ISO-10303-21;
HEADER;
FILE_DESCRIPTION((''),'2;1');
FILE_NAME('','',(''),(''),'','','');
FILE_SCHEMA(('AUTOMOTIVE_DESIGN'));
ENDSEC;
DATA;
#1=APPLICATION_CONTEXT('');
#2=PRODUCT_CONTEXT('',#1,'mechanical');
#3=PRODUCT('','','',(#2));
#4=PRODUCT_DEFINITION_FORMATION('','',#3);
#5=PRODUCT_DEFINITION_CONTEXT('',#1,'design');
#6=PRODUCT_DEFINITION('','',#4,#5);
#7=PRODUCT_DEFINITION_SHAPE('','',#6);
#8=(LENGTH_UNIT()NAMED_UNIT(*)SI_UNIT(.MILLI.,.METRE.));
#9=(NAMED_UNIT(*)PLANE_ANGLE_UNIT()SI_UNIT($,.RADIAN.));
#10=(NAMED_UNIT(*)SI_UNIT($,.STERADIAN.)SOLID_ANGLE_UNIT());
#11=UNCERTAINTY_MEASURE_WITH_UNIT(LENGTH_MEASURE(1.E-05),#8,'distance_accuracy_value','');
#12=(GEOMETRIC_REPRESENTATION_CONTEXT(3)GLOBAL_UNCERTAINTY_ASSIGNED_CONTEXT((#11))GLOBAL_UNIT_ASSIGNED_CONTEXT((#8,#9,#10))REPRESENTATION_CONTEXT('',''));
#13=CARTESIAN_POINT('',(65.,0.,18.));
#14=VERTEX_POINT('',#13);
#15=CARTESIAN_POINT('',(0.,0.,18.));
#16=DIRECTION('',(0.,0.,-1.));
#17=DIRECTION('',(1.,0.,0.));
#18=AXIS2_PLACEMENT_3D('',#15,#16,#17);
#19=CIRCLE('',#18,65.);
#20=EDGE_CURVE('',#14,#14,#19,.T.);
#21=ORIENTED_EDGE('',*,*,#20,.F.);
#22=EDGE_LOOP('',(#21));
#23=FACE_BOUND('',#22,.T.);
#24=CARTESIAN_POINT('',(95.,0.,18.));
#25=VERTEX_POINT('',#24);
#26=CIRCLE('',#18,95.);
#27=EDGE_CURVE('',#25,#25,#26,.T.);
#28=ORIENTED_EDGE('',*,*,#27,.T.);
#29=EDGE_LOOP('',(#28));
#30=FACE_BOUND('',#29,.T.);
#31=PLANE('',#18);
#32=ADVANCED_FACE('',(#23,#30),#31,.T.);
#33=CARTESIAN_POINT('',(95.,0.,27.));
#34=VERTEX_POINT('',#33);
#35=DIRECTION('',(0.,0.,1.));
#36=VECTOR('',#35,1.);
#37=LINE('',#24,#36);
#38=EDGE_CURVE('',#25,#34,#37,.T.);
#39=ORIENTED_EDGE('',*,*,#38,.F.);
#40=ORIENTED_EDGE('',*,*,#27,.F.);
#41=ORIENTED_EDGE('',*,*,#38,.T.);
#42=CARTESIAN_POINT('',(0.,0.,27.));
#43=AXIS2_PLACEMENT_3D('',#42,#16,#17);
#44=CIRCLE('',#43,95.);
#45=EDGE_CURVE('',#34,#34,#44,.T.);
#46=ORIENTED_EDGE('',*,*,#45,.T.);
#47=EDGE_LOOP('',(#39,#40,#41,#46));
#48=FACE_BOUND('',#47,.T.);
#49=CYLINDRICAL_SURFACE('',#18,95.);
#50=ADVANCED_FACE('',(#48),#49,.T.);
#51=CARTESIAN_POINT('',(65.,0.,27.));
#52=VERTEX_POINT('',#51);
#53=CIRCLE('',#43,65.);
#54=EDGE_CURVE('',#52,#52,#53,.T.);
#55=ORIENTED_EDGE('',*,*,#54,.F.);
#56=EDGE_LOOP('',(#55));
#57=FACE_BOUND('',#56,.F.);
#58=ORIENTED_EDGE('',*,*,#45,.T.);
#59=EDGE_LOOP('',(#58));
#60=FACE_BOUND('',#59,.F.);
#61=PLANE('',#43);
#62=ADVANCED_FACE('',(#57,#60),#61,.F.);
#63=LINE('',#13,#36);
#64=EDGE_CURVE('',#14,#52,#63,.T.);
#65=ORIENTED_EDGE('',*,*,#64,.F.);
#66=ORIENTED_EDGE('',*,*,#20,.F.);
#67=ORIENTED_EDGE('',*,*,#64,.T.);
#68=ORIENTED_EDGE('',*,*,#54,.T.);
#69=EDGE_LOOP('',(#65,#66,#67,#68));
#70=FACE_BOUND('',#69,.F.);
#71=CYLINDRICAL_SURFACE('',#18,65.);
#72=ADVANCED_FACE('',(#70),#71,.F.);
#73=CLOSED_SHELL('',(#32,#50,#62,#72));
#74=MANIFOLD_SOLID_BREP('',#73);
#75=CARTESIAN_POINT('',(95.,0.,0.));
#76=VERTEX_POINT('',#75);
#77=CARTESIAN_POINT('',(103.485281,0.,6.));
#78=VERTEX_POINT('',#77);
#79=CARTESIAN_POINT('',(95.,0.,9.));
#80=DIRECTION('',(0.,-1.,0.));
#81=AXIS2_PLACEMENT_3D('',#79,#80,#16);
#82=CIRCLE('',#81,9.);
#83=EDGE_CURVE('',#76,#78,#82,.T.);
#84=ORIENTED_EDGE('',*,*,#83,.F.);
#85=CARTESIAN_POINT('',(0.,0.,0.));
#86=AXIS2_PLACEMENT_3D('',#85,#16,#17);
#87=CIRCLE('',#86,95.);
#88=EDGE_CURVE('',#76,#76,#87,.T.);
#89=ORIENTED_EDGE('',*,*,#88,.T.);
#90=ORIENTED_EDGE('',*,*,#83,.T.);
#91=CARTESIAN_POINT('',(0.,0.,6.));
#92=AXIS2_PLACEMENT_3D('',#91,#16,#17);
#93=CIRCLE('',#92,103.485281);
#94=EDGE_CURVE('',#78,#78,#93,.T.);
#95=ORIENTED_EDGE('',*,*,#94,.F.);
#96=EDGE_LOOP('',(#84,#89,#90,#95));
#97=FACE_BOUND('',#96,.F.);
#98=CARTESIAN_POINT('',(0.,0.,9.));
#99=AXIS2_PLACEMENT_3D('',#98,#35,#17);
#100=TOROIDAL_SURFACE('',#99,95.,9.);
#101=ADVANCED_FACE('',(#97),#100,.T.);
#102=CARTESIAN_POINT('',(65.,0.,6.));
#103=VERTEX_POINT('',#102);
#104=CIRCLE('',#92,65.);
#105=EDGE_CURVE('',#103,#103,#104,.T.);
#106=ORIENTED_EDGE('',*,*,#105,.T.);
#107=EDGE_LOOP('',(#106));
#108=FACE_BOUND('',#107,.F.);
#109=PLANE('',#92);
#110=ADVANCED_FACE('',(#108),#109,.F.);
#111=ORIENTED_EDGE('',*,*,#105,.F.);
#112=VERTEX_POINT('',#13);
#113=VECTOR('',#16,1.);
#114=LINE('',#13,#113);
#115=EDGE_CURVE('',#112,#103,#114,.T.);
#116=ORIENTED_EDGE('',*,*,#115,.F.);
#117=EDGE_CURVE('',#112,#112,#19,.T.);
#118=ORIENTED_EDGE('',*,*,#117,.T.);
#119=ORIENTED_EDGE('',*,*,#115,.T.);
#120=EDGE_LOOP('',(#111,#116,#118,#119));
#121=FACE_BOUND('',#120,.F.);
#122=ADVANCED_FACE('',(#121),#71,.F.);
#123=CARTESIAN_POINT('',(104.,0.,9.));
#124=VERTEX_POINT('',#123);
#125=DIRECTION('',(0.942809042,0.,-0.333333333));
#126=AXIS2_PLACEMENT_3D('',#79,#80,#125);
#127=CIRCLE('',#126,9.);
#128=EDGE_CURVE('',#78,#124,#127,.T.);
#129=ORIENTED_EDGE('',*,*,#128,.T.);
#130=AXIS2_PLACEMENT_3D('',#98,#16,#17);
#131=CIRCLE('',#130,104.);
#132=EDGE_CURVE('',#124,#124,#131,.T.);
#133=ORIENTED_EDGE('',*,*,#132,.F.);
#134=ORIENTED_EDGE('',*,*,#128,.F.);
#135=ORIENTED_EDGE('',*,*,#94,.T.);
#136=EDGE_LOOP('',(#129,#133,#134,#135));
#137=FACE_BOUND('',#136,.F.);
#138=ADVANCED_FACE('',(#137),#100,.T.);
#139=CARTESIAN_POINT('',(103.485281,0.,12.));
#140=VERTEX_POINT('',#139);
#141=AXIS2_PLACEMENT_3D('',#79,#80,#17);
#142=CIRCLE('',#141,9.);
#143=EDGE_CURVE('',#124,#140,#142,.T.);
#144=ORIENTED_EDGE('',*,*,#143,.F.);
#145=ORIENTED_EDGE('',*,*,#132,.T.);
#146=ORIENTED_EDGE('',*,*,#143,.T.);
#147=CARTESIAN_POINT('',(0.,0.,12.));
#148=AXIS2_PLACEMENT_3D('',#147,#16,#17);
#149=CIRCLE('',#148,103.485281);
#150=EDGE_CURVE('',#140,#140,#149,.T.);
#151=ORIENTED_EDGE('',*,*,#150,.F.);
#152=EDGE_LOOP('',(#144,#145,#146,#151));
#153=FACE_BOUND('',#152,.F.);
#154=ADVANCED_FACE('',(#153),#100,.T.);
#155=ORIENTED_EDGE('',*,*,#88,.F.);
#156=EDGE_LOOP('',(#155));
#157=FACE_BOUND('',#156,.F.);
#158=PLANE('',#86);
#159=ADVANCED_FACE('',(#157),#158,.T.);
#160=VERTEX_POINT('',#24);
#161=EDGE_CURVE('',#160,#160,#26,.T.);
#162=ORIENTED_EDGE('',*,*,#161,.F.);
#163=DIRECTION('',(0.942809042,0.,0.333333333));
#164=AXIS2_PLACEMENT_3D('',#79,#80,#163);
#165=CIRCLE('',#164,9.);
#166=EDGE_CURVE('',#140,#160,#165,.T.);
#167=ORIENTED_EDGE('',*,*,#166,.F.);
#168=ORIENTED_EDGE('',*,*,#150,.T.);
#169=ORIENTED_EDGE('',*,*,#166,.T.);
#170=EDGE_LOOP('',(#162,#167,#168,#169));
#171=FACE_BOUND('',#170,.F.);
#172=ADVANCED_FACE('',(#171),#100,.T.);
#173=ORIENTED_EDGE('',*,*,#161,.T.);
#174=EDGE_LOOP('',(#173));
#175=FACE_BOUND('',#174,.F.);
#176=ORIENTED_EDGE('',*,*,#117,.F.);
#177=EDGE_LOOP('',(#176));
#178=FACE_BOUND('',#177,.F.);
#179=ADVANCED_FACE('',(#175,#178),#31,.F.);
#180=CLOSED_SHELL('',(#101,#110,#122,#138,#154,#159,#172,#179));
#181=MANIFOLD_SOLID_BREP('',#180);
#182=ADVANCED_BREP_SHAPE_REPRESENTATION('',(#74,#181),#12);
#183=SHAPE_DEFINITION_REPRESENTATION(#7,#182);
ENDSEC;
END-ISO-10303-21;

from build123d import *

# Parameters (mm, degrees)
F2_DEPTH = 9


with BuildPart() as f1:
    # F0 (on Front) → F1 (revolve)
    with BuildSketch(Plane.XZ):
        with BuildLine():
            ThreePointArc((95, 18), (89.8038475773, 16.3484692283), (86.5147186258, 12))
            Line((86.5147186258, 12), (103.4852813742, 12))
            ThreePointArc((103.4852813742, 12), (100.1961524227, 16.3484692283), (95, 18))
        make_face()
        with BuildLine():
            Line((65, 12), (86.5147186258, 12))
            ThreePointArc((86.5147186258, 12), (89.8038475773, 16.3484692283), (95, 18))
            Line((95, 18), (65, 18))
            Line((65, 18), (65, 12))
        make_face()
        with BuildLine():
            Line((65, 6), (86.5147186258, 6))
            ThreePointArc((86.5147186258, 6), (86, 9), (86.5147186258, 12))
            Line((86.5147186258, 12), (65, 12))
            Line((65, 12), (65, 6))
        make_face()
        with BuildLine():
            Line((86.5147186258, 6), (103.4852813742, 6))
            ThreePointArc((103.4852813742, 6), (103.8703870369, 7.4780821915), (104, 9))
            ThreePointArc((104, 9), (103.8703870369, 10.5219178085), (103.4852813742, 12))
            Line((103.4852813742, 12), (86.5147186258, 12))
            ThreePointArc((86.5147186258, 12), (86, 9), (86.5147186258, 6))
        make_face()
        with BuildLine():
            ThreePointArc((86.5147186258, 6), (89.8038475773, 1.6515307717), (95, 0))
            ThreePointArc((95, 0), (100.1961524227, 1.6515307717), (103.4852813742, 6))
            Line((103.4852813742, 6), (86.5147186258, 6))
        make_face()
        with BuildLine():
            Line((0, 6), (0, 0))
            Line((0, 0), (95, 0))
            ThreePointArc((95, 0), (89.8038475773, 1.6515307717), (86.5147186258, 6))
            Line((86.5147186258, 6), (65, 6))
            Line((65, 6), (0, 6))
        make_face()
    revolve(axis=Axis((0, 0, 9), (0, 0, -1)))


with BuildPart() as f2:
    # F2 (new): a face of the model
    f2_faces = [f1.part.faces().sort_by_distance(p)[0] for p in [
        (-92.3129942315, 0, 18),
    ]]
    extrude(f2_faces, amount=F2_DEPTH)


solid = Compound([f1.part, f2.part])
